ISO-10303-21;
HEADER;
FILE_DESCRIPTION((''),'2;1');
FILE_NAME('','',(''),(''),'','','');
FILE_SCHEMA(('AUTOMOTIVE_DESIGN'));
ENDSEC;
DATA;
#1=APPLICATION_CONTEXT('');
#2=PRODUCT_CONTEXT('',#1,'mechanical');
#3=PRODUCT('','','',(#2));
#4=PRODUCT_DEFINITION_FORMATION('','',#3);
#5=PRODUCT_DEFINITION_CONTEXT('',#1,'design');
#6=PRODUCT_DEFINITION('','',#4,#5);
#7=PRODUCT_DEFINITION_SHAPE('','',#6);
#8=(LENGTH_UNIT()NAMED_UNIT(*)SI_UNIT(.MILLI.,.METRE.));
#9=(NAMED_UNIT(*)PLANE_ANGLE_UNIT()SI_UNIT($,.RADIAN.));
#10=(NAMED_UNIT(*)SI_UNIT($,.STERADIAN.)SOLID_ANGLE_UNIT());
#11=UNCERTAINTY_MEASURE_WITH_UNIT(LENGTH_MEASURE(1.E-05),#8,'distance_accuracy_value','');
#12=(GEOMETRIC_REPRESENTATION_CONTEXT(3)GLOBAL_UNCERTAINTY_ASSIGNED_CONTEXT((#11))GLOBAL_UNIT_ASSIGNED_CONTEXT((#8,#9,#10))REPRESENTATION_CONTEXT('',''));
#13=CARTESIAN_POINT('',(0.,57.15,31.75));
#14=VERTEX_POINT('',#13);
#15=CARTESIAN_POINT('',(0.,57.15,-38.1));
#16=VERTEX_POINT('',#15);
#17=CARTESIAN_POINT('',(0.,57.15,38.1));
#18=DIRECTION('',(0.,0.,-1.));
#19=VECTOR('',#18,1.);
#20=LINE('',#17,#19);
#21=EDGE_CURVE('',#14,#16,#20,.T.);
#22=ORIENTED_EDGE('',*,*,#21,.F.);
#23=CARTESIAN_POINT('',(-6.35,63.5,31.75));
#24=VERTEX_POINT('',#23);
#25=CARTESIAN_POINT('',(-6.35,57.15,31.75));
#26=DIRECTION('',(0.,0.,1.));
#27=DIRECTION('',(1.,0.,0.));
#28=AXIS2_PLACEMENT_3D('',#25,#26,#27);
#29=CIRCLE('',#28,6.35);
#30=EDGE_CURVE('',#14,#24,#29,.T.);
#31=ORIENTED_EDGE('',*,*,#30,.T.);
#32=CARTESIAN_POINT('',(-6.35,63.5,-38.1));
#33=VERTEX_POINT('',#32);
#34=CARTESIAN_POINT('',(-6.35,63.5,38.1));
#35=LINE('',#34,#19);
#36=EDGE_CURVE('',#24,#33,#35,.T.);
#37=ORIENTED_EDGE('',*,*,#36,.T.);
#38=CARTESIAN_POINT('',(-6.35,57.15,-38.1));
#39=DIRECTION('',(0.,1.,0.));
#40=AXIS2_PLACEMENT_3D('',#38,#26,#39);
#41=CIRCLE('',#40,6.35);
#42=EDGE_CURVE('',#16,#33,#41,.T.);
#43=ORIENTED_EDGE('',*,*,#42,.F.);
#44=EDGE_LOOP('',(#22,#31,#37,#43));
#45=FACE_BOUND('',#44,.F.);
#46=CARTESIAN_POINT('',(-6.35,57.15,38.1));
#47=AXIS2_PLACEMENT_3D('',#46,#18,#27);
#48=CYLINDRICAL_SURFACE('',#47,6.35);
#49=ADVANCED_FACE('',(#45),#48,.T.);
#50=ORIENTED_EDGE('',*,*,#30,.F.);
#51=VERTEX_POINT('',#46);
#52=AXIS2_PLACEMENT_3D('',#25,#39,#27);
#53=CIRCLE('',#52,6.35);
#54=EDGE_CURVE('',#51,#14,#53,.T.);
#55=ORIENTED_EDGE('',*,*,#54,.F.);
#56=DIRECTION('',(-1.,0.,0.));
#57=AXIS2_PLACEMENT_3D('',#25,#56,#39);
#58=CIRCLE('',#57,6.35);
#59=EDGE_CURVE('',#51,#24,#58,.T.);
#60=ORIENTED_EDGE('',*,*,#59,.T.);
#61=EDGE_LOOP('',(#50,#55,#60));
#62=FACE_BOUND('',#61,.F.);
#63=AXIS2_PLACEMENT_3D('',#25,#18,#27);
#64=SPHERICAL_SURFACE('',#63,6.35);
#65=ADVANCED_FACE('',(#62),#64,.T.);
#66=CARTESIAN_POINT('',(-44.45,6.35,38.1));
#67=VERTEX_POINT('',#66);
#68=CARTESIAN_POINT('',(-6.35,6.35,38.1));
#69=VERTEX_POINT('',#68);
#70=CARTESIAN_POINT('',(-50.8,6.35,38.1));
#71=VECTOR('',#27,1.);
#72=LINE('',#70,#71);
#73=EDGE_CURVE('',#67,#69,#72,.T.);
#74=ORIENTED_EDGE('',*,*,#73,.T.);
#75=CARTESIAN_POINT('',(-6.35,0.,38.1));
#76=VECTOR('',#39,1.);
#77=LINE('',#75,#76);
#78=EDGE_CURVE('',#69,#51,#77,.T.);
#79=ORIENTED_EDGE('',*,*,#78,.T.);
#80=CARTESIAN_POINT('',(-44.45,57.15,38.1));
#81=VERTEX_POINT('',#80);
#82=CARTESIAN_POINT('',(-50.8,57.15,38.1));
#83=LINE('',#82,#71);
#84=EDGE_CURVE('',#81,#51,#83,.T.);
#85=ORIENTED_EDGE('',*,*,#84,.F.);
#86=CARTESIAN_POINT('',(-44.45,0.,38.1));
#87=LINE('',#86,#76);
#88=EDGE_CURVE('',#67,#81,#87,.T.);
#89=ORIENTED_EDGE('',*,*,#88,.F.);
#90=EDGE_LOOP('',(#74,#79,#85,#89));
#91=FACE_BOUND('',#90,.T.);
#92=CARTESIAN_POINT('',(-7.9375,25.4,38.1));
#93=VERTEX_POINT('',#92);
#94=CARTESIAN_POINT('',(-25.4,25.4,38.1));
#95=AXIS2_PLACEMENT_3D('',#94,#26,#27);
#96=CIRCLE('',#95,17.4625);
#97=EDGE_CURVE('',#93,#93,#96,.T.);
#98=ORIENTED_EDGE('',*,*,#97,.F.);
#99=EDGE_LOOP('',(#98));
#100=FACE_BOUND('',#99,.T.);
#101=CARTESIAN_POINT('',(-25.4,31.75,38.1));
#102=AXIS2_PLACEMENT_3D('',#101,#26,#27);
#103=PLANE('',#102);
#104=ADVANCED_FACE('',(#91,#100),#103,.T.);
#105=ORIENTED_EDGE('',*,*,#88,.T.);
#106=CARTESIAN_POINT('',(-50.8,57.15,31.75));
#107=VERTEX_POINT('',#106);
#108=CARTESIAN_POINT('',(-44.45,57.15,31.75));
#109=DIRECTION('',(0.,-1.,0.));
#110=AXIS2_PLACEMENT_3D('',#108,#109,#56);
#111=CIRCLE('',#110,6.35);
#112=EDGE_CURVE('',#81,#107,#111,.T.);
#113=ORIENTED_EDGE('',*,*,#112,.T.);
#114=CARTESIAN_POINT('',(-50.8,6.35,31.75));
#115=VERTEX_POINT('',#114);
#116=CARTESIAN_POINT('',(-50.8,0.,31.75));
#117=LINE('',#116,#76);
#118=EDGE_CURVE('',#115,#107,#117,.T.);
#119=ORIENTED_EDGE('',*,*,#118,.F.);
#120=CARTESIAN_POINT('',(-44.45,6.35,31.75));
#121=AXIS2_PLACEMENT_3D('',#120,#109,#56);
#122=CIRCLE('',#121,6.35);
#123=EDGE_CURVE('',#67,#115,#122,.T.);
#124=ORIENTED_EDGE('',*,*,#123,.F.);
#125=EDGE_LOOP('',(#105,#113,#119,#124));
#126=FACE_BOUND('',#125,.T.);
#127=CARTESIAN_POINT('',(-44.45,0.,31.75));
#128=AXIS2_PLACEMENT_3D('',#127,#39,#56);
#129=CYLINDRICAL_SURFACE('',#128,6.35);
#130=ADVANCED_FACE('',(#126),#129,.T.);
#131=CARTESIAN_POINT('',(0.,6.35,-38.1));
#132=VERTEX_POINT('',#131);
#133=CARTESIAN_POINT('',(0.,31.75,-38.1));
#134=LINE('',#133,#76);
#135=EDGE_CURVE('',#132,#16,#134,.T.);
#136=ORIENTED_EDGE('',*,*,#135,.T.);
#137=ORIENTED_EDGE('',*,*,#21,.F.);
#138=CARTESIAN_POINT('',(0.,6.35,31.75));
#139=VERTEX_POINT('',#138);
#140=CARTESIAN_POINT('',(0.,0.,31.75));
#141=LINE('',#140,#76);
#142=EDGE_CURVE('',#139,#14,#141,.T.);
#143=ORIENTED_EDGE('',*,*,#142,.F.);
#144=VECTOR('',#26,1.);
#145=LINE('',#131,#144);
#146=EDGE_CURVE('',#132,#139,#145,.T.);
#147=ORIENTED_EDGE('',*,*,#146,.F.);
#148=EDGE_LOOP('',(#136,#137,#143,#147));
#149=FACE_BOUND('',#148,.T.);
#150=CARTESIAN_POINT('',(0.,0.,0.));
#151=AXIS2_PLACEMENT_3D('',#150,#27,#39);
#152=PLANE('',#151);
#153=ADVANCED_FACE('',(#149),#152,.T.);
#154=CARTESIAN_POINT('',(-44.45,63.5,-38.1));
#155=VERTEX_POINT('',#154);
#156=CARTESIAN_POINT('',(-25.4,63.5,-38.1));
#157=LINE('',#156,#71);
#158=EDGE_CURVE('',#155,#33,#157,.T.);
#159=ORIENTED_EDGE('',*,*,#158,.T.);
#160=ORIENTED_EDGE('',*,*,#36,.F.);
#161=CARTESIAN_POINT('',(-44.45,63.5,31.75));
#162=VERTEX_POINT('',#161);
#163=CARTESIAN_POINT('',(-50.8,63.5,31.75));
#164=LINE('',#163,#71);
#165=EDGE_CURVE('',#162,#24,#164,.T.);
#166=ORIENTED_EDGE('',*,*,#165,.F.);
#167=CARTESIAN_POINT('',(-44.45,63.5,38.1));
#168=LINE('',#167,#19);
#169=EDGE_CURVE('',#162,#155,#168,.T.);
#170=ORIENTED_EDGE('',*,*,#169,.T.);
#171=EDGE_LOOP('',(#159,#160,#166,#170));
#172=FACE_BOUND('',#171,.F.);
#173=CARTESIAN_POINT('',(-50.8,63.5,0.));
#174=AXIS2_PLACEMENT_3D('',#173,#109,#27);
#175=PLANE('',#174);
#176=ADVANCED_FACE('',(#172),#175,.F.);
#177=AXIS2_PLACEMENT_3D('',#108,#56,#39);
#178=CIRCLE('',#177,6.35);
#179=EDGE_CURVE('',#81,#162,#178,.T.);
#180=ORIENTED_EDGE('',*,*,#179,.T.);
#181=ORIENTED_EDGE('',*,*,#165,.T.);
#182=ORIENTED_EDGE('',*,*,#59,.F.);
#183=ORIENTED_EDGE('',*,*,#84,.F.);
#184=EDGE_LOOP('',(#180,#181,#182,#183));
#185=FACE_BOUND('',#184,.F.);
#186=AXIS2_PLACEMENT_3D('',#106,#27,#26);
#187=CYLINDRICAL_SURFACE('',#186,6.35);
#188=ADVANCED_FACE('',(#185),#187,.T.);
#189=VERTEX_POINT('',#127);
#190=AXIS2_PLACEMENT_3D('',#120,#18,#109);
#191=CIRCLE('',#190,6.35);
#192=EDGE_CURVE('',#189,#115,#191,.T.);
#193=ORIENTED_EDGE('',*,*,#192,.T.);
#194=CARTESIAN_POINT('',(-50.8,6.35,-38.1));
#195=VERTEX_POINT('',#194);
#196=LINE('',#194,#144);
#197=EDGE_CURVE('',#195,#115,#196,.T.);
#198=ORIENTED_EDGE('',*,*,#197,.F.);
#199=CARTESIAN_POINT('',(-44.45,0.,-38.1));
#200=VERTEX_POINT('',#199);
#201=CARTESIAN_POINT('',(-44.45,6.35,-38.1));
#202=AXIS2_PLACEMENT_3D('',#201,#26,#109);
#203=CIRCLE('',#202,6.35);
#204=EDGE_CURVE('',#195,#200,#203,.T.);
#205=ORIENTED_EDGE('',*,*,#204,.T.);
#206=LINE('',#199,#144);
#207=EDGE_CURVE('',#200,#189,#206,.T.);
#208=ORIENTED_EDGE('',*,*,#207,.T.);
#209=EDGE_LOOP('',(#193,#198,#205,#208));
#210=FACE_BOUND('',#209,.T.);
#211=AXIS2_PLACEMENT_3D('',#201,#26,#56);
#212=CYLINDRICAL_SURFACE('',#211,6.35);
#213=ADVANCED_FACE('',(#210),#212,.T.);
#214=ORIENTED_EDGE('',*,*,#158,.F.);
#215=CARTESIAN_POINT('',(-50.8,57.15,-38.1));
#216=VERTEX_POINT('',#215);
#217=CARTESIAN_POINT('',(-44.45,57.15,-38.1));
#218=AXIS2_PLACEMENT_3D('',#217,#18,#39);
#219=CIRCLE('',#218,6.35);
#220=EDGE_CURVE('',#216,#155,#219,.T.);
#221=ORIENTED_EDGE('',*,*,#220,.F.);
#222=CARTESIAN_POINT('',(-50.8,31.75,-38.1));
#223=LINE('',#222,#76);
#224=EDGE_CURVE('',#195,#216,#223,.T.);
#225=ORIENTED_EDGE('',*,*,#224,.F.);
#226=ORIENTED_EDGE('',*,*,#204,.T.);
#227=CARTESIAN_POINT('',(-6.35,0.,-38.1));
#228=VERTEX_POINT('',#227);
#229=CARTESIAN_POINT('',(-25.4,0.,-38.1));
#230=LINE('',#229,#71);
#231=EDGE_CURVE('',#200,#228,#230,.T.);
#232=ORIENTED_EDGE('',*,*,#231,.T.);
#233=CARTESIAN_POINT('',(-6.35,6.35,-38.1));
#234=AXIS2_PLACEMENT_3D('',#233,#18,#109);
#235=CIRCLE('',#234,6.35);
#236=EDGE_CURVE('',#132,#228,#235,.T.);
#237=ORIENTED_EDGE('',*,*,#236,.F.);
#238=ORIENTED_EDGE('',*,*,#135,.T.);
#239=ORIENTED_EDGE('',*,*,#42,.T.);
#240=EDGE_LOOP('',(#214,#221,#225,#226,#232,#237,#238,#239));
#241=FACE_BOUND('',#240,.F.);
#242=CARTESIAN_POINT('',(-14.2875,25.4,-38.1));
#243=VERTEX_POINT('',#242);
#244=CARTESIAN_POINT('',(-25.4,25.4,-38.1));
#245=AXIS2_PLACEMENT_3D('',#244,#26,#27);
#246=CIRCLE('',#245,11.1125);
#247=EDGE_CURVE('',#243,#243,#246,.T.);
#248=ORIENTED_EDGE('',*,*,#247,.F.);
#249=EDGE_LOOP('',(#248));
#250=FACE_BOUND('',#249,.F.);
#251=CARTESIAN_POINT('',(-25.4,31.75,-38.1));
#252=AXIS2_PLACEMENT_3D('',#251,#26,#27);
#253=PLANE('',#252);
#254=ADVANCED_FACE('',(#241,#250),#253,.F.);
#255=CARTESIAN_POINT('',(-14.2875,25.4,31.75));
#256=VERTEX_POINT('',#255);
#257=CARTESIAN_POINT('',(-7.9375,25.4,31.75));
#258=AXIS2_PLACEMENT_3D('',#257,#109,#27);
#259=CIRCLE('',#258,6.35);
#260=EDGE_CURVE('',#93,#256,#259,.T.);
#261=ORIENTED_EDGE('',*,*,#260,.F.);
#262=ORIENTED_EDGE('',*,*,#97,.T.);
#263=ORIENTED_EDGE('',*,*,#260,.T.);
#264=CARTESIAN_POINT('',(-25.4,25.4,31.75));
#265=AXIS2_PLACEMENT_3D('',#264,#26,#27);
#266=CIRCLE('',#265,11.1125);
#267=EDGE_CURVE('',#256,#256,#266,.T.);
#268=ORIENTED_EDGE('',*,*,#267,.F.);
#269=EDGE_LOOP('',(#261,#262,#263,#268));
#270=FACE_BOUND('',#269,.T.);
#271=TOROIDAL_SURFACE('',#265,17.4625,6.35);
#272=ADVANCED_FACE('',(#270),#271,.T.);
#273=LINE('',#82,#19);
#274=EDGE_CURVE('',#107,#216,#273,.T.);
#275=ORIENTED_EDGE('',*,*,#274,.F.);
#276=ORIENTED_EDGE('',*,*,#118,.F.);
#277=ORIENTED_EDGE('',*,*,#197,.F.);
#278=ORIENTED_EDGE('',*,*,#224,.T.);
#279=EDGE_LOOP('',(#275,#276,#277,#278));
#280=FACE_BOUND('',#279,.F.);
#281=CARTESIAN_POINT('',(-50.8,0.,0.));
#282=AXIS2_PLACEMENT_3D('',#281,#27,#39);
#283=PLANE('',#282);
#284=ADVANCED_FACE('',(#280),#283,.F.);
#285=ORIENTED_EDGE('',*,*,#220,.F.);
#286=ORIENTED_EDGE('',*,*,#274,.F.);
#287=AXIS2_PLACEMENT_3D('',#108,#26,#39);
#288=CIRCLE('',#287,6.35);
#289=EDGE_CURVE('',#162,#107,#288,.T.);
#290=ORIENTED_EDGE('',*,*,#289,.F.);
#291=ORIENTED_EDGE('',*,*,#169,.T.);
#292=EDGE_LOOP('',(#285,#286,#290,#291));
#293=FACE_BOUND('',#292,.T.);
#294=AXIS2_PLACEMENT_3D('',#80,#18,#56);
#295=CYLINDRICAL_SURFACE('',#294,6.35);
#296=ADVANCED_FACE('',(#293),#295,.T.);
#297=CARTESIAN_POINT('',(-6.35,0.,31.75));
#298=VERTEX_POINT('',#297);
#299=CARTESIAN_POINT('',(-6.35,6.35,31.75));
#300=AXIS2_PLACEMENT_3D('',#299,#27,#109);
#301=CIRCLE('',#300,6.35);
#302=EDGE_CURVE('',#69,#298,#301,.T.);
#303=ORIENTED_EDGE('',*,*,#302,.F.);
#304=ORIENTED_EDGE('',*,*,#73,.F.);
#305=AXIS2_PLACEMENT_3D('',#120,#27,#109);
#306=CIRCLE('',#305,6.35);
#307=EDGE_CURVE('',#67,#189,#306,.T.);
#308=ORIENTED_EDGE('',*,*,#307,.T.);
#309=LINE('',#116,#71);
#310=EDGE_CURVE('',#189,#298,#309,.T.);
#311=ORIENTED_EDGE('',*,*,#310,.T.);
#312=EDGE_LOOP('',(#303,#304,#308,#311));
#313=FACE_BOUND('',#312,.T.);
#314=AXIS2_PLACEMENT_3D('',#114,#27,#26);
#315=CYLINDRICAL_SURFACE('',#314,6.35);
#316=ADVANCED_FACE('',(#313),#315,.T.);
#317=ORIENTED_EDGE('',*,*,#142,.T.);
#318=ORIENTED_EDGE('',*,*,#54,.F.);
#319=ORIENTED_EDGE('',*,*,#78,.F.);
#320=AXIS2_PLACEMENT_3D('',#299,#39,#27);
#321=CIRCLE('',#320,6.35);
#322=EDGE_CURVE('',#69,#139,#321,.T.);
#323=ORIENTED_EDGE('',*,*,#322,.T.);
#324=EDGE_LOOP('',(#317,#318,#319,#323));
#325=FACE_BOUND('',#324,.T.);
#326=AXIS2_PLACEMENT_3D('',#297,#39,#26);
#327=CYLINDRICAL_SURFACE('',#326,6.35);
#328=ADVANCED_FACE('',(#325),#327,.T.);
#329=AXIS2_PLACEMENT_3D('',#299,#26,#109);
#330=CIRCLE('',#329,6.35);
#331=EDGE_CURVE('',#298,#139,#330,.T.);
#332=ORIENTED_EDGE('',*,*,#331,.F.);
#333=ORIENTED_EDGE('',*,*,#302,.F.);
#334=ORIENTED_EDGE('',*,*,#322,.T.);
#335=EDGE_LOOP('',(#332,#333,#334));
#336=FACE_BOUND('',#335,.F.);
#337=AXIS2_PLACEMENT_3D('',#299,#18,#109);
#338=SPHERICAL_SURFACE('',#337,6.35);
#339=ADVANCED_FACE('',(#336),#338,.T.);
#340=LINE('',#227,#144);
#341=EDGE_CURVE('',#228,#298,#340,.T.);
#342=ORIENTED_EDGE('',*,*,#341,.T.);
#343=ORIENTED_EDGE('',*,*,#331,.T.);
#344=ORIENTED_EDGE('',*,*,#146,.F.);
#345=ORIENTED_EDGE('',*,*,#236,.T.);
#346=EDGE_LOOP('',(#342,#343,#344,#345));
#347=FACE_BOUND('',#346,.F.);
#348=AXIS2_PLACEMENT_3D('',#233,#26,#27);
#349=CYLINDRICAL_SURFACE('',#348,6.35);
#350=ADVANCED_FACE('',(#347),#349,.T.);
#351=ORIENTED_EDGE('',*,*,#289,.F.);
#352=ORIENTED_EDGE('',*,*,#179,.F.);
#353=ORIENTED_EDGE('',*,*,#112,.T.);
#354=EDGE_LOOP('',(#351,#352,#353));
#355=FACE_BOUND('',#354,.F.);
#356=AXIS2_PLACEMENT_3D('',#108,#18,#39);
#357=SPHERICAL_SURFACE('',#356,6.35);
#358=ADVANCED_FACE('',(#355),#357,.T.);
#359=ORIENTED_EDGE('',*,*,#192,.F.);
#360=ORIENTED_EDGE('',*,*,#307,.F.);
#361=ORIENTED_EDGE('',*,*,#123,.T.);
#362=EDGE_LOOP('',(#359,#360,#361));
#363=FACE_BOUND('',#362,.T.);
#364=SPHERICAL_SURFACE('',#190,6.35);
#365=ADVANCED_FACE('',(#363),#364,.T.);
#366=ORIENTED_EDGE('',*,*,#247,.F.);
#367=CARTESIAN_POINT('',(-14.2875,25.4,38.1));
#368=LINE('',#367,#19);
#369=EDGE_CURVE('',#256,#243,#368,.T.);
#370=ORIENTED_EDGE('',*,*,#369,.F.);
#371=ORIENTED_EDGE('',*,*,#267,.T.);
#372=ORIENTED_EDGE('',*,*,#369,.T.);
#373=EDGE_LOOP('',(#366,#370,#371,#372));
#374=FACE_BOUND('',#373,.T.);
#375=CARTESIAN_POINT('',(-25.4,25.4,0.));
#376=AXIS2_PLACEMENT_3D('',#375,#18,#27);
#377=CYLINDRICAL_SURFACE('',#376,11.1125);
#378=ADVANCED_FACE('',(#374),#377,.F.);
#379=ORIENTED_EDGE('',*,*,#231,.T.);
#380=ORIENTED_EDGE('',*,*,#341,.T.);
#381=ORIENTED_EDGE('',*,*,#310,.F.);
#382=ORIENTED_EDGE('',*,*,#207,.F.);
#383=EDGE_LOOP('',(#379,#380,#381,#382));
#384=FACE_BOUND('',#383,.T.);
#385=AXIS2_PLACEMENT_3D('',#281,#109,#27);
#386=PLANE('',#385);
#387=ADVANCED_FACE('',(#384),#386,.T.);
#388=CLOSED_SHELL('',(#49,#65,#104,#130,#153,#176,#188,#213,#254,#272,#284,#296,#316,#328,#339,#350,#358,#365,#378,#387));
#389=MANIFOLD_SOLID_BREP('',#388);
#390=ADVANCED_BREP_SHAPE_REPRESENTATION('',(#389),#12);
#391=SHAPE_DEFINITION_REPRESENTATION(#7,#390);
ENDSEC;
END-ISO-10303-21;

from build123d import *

# Parameters (mm, degrees)
F0_W     = 50.8
F0_H     = 63.5
F0_R     = 11.1125
F1_DEPTH = 38.1
F2_R     = 6.35


with BuildPart() as f1:
    # F0 (on Top) → F1 (new body, symmetric)
    with BuildSketch(Plane.XY):
        with Locations((-25.4, 31.75)):
            Rectangle(F0_W, F0_H)
        with Locations((-25.4, 25.4)):
            Circle(F0_R, mode=Mode.SUBTRACT)
    extrude(amount=F1_DEPTH, both=True)

    # F2
    f2_edges = [f1.edges().sort_by_distance(p)[0] for p in [
        (-50.8, 63.5, 0),
        (0, 63.5, 0),
        (-50.8, 0, 0),
        (0, 0, 0),
        (-25.4, 0, 38.1),
        (0, 31.75, 38.1),
        (-25.4, 63.5, 38.1),
        (-50.8, 31.75, 38.1),
        (-36.5125, 25.4, 38.1),
    ]]
    fillet(f2_edges, radius=F2_R)


solid = f1.part
